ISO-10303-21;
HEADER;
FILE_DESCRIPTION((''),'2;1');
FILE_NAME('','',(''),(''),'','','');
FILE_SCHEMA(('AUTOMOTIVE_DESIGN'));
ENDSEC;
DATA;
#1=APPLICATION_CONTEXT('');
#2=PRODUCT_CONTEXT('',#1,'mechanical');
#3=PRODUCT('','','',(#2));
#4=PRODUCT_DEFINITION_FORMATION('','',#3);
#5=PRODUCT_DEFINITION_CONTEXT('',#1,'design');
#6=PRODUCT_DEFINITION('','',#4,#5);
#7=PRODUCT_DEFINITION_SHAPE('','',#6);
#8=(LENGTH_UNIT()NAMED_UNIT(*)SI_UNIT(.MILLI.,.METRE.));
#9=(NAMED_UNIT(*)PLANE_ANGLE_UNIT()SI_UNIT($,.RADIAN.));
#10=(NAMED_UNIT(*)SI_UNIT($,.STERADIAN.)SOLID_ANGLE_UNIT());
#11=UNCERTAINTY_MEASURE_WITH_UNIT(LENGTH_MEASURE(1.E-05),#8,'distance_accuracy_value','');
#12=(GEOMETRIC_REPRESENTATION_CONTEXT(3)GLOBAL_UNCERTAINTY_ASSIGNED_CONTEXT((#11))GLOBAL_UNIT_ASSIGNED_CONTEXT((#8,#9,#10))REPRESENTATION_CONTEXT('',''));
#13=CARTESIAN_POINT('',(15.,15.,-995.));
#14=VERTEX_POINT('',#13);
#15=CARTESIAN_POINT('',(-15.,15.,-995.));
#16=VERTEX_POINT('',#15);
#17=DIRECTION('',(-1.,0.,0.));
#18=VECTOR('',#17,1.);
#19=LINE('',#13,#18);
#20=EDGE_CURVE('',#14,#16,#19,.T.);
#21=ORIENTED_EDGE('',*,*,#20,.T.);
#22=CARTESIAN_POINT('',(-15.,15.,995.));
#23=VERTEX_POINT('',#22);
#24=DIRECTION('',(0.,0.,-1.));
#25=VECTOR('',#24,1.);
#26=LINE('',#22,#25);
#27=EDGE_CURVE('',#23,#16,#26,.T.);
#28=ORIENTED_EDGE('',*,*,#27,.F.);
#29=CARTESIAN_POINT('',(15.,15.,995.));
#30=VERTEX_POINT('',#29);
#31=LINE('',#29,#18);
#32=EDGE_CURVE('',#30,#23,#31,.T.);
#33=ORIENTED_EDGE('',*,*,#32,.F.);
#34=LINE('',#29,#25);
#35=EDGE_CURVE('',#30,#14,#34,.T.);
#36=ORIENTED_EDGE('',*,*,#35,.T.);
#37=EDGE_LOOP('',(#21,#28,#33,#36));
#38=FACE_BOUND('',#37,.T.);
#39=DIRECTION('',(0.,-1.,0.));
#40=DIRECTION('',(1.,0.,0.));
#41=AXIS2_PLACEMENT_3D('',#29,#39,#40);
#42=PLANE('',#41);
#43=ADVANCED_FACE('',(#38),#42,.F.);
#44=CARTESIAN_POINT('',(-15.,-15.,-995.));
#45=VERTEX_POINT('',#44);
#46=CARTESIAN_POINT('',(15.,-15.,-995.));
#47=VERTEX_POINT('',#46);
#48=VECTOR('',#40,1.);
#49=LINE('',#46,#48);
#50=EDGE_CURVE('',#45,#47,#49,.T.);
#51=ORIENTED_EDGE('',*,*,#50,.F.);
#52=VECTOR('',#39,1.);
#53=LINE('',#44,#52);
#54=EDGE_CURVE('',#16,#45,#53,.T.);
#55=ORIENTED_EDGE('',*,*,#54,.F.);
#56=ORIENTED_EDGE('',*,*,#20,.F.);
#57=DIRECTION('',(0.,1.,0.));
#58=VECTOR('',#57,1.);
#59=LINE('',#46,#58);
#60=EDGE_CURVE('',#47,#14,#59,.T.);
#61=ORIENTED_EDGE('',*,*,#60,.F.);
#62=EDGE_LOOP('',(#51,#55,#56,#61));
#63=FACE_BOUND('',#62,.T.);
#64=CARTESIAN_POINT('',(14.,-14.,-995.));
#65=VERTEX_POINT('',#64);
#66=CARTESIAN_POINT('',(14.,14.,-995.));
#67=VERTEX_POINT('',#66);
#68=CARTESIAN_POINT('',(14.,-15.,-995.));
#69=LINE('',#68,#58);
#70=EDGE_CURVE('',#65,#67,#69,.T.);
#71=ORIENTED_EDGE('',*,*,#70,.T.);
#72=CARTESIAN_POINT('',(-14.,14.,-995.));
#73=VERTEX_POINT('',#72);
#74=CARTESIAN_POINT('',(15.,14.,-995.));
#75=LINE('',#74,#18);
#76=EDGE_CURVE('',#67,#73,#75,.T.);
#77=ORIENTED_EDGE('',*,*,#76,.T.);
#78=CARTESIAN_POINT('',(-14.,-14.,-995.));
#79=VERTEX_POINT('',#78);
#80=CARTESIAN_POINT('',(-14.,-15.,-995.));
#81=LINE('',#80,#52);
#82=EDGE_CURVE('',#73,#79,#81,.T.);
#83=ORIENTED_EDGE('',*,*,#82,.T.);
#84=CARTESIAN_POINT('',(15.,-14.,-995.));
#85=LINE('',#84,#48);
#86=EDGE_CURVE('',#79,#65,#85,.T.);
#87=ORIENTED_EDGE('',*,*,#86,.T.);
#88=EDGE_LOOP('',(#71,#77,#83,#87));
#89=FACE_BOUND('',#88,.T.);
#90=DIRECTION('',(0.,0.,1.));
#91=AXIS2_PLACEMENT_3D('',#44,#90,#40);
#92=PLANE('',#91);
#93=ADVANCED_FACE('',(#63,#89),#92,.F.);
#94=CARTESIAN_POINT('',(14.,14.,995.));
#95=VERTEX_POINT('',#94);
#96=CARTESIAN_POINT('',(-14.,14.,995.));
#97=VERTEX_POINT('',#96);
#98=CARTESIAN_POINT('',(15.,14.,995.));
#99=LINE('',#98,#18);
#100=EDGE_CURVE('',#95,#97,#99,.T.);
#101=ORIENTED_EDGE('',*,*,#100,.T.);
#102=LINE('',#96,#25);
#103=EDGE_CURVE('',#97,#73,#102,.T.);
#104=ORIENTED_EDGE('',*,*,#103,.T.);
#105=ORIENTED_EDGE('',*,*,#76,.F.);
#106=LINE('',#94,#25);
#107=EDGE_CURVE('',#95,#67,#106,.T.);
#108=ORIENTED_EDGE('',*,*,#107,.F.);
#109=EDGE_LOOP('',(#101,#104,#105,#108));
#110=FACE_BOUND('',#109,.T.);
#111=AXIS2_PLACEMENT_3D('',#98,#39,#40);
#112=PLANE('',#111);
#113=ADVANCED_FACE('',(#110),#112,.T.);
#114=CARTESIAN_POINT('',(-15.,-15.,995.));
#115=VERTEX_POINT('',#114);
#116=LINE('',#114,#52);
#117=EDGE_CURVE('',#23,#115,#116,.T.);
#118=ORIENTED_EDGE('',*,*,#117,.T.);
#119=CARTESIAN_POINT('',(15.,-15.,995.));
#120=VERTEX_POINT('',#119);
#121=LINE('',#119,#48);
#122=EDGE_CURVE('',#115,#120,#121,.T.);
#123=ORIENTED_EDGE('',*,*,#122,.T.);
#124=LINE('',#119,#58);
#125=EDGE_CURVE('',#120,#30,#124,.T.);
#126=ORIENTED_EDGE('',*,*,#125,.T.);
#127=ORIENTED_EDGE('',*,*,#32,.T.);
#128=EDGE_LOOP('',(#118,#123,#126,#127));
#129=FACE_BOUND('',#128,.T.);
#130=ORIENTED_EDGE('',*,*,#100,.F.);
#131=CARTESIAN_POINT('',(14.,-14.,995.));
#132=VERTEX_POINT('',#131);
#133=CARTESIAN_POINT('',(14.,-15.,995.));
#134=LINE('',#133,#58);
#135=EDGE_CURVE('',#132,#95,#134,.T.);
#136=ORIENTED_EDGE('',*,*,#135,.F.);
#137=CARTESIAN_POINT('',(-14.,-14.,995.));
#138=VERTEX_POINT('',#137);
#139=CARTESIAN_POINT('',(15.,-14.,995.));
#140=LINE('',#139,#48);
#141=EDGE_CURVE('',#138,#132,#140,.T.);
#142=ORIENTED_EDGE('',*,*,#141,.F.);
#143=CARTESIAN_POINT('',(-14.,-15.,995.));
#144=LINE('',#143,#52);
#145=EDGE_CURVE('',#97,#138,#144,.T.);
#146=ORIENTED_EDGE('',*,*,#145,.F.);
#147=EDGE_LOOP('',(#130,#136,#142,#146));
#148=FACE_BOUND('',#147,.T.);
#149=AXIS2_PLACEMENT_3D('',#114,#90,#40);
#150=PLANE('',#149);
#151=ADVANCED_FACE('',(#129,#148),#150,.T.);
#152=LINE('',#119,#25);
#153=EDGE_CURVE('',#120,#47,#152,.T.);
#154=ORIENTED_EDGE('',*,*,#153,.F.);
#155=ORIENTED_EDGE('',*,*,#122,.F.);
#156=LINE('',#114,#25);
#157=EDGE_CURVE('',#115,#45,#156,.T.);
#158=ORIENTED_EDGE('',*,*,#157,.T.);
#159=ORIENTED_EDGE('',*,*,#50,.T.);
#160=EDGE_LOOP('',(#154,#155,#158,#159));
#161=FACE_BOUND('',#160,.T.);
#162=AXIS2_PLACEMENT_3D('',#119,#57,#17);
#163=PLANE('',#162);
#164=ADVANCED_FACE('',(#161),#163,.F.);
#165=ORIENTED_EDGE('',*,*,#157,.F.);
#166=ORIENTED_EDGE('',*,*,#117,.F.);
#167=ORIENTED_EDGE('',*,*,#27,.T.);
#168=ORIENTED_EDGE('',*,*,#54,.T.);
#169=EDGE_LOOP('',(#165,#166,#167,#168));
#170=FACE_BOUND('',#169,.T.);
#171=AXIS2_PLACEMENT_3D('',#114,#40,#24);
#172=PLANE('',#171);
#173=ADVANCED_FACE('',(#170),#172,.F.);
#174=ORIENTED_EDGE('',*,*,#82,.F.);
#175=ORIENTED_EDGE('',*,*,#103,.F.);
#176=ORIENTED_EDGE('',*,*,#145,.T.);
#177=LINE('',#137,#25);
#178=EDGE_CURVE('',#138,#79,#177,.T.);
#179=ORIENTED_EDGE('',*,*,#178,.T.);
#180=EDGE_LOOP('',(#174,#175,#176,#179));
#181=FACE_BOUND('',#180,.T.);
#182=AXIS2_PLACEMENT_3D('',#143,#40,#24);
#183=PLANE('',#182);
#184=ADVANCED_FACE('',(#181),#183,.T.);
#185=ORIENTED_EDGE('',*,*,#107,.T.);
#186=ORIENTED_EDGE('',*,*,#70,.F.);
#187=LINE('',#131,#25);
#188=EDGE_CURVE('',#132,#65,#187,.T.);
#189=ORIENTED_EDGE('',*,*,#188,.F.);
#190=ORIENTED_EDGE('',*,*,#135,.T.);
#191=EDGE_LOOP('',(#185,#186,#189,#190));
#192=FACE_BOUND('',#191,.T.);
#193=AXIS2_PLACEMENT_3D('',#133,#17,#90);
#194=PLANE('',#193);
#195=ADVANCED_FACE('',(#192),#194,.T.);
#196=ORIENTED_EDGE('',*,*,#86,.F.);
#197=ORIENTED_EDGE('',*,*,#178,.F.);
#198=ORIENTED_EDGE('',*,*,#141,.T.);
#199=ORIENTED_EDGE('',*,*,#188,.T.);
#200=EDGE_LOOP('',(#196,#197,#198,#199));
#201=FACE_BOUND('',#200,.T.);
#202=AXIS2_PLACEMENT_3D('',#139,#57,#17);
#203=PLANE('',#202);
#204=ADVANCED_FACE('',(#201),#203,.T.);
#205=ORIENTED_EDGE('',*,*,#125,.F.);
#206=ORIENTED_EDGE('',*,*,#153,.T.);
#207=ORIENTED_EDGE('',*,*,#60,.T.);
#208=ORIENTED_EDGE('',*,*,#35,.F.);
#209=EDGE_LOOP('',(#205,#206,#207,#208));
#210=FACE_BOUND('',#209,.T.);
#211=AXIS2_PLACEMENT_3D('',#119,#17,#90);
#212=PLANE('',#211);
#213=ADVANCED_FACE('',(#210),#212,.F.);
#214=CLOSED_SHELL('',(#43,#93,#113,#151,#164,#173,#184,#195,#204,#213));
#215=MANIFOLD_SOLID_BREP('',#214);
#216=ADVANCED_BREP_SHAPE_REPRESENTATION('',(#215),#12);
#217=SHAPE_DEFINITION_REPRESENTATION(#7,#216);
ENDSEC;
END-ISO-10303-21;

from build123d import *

# Parameters (mm, degrees)
CROQUIS1_W            = 30
CROQUIS1_H            = 30
CROQUIS1_W_2          = 28
CROQUIS1_H_2          = 28
EXTRUIR_L_MINA1_DEPTH = 995


with BuildPart() as part:
    # Croquis1 → Extruir-Lámina1 (new, symmetric)
    with BuildSketch(Plane.XY):
        Rectangle(CROQUIS1_W, CROQUIS1_H)
        Rectangle(CROQUIS1_W_2, CROQUIS1_H_2, mode=Mode.SUBTRACT)
    extrude(amount=EXTRUIR_L_MINA1_DEPTH, both=True)


solid = part.part
